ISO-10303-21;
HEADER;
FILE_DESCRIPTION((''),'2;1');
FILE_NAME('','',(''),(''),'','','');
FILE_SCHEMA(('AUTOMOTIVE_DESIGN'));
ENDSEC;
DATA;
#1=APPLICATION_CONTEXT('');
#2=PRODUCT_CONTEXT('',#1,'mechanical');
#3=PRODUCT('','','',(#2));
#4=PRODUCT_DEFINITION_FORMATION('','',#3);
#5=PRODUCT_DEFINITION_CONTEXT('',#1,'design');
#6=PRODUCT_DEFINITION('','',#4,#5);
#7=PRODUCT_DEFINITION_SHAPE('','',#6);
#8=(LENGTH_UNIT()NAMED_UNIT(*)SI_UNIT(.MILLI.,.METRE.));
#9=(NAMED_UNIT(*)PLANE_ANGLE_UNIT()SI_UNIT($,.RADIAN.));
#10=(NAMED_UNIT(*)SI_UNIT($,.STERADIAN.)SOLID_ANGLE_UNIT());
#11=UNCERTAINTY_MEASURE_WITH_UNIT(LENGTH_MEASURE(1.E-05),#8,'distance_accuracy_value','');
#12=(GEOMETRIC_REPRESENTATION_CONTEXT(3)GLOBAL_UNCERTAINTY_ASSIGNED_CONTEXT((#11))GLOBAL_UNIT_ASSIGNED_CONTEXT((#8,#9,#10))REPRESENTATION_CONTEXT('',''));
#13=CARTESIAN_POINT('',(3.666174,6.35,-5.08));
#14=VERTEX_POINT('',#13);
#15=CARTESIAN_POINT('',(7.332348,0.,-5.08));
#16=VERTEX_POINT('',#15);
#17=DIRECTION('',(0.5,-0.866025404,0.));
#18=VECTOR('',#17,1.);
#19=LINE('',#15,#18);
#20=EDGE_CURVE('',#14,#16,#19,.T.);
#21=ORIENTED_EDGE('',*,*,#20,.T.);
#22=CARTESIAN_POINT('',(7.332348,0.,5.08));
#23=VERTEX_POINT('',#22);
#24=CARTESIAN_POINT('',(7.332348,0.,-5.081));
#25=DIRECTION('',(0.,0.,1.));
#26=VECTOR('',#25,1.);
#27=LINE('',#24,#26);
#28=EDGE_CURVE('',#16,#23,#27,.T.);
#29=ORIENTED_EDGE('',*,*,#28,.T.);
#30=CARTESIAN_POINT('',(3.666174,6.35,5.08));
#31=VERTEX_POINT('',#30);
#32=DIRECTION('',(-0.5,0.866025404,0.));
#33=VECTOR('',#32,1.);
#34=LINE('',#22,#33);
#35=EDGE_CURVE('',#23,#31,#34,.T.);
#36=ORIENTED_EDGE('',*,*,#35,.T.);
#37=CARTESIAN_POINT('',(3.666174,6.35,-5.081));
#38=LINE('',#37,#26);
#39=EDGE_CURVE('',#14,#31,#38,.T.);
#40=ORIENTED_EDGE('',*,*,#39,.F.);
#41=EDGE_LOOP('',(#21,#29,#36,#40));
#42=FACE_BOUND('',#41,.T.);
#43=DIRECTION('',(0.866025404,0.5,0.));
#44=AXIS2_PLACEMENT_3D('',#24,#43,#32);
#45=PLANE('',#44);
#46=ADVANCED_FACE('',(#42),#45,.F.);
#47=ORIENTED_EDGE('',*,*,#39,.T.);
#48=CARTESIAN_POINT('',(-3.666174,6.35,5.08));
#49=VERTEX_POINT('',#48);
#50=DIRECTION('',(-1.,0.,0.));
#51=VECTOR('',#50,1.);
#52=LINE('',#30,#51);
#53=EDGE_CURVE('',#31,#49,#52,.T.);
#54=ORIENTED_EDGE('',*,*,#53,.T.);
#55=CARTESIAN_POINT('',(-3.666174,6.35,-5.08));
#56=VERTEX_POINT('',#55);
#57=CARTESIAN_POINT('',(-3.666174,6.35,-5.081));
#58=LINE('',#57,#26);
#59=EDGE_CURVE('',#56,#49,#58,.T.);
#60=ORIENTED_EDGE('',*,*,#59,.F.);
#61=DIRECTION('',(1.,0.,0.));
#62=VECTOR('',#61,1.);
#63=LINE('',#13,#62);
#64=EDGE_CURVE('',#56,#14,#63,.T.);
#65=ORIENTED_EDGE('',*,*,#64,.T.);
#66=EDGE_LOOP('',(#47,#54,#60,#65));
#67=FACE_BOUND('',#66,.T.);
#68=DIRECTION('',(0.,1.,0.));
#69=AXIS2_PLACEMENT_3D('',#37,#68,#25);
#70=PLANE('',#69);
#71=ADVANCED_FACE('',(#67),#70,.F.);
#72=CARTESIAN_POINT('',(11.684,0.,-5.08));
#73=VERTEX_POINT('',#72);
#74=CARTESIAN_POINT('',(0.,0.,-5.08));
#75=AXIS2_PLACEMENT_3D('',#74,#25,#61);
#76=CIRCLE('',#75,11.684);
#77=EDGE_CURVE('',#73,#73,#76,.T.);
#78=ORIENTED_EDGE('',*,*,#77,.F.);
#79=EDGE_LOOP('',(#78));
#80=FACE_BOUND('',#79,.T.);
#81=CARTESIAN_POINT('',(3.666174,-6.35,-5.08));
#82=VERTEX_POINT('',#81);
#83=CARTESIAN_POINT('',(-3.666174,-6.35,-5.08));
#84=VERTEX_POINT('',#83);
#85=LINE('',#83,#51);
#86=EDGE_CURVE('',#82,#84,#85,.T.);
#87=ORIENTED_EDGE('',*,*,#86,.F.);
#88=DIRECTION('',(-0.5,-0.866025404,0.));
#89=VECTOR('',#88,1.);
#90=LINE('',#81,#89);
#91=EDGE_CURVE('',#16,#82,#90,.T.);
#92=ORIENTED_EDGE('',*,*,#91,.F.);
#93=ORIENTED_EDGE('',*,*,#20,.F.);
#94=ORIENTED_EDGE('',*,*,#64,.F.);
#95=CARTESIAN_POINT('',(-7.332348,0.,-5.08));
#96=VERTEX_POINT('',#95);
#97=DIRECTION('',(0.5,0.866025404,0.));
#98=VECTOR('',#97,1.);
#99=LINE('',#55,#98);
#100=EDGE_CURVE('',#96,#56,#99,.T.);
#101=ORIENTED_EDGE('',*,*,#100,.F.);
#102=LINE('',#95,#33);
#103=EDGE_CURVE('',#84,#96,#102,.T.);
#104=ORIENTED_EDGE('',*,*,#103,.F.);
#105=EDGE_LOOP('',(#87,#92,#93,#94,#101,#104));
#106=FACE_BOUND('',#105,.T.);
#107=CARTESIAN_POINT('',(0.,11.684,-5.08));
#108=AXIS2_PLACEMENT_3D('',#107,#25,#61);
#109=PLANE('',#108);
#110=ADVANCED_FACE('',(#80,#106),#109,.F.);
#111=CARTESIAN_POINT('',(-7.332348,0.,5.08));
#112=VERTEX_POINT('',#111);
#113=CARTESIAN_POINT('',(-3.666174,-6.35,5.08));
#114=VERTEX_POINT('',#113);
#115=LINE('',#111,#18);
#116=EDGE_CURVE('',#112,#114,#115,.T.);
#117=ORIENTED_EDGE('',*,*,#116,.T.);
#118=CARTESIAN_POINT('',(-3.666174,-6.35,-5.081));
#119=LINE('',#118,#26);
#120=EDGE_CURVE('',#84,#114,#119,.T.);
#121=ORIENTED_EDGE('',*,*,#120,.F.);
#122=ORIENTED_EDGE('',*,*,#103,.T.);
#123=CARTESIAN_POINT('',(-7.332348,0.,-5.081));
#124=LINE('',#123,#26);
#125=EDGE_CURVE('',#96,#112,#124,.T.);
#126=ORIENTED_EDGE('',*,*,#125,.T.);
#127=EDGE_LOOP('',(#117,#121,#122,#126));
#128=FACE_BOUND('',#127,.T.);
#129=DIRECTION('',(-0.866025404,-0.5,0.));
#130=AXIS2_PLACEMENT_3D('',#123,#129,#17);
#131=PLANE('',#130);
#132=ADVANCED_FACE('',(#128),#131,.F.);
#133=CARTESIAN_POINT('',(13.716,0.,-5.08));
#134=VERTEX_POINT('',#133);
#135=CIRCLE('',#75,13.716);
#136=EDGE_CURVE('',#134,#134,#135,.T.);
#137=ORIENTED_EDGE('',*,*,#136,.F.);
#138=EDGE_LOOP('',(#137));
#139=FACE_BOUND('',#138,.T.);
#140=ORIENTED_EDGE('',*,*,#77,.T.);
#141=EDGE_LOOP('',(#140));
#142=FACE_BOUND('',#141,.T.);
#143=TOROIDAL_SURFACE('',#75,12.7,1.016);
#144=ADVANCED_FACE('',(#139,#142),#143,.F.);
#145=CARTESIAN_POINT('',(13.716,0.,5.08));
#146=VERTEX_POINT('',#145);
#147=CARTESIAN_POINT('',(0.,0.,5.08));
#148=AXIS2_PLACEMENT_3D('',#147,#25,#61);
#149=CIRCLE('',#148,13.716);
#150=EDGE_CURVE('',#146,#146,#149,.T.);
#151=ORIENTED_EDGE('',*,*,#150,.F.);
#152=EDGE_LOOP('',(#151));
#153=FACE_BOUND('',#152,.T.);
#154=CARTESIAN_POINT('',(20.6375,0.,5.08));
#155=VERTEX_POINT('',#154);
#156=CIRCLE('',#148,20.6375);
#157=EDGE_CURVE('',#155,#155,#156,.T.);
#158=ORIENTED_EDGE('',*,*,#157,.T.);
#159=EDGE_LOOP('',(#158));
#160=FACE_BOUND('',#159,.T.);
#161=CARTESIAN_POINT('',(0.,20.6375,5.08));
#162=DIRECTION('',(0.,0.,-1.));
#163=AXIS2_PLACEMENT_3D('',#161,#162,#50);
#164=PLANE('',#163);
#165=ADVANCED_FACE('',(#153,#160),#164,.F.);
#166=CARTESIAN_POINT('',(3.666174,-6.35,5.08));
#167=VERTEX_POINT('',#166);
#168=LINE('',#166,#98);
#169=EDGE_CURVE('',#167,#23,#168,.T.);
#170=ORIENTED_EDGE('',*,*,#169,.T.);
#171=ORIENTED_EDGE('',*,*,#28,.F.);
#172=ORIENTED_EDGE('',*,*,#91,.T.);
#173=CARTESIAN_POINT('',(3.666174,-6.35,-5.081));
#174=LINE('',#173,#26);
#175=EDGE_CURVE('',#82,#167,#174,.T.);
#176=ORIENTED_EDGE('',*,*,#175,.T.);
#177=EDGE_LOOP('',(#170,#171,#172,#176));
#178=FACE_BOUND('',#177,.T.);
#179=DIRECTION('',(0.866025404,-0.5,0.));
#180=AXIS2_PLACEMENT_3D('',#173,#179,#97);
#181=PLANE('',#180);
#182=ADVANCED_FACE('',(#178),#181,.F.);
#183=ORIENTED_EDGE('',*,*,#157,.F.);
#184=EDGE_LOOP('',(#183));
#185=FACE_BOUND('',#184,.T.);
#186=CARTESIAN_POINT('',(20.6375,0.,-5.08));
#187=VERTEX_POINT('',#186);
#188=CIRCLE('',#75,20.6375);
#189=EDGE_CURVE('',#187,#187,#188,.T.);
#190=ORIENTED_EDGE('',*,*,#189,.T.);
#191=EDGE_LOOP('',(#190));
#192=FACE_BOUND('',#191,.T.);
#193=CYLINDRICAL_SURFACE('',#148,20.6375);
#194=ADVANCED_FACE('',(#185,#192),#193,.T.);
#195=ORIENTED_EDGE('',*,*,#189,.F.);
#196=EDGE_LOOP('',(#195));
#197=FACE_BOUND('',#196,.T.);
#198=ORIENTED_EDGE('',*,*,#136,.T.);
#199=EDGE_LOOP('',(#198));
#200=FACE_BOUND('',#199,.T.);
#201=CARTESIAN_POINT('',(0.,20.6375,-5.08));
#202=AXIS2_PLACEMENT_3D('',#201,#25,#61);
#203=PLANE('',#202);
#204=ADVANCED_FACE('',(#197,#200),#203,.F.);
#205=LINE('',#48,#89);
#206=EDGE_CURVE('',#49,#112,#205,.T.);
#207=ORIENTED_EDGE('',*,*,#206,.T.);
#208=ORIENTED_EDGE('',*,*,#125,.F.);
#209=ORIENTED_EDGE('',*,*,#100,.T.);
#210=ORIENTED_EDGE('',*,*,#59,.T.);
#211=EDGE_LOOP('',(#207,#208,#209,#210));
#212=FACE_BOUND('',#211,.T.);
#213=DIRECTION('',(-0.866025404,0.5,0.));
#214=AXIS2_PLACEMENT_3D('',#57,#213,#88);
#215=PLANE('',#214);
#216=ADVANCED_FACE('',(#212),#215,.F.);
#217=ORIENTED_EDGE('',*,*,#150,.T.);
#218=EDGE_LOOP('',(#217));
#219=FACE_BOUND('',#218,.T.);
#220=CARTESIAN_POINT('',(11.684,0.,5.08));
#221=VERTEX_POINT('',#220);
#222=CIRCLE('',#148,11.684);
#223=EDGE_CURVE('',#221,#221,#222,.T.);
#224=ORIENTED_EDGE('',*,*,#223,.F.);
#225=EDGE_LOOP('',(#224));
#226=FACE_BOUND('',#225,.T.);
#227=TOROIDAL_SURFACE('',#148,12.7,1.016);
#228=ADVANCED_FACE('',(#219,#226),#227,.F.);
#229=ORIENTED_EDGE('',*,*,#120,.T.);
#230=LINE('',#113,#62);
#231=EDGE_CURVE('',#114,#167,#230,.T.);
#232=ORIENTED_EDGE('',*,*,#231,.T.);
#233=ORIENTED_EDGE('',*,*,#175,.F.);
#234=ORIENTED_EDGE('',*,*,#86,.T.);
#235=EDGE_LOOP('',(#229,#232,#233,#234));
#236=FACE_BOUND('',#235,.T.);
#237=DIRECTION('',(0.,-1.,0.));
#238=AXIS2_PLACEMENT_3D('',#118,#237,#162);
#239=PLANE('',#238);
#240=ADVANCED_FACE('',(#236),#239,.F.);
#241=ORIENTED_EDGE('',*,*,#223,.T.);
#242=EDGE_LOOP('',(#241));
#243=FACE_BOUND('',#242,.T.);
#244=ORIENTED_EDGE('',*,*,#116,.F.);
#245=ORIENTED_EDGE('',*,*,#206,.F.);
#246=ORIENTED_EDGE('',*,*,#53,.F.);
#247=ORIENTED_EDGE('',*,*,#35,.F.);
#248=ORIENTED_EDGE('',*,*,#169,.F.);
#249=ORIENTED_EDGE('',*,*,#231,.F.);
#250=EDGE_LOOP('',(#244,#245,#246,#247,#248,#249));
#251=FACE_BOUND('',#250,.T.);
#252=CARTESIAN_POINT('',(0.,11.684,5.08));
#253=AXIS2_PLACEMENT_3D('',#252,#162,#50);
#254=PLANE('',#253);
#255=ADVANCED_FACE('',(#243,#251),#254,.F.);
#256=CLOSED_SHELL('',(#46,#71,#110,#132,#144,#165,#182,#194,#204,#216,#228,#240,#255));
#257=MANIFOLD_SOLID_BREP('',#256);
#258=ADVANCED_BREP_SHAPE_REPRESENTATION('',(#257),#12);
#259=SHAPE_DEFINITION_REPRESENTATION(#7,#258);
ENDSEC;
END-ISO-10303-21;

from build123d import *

# Parameters (mm, degrees)
CUT_EXTRUDE1_REACH = 32.904


with BuildPart() as part:
    # Sketch1 → Revolve1 (revolve)
    with BuildSketch(Plane(origin=(0, 0, 0), x_dir=(0, 0, -1), z_dir=(1, 0, 0)), mode=Mode.PRIVATE) as revolve1_sk:
        with BuildLine():
            Line((-5.08, 20.6375), (5.08, 20.6375))
            Line((5.08, 20.6375), (5.08, 13.716))
            ThreePointArc((5.08, 13.716), (4.064, 12.7), (5.08, 11.684))
            Line((5.08, 11.684), (5.08, 0))
            Line((5.08, 0), (-5.08, 0))
            Line((-5.08, 0), (-5.08, 11.684))
            ThreePointArc((-5.08, 11.684), (-4.064, 12.7), (-5.08, 13.716))
            Line((-5.08, 13.716), (-5.08, 20.6375))
        make_face()
    revolve(revolve1_sk.sketch.rotate(Axis((0, 0, 5.08), (0, 0, -1)), 90), axis=Axis((0, 0, 5.08), (0, 0, -1)))

    # Sketch2 → Cut-Extrude1 (cut, up to next)
    with BuildSketch(Plane.XY.offset(5.08), mode=Mode.PRIVATE) as cut_extrude1_sk1:
        Polygon((-3.666174209, 6.35), (-7.332348419, 0), (-3.666174209, -6.35), (3.666174209, -6.35), (7.332348419, 0), (3.666174209, 6.35), align=None)
    cut_extrude1_tool1 = extrude(cut_extrude1_sk1.sketch, amount=-CUT_EXTRUDE1_REACH, mode=Mode.PRIVATE) & part.part
    add(cut_extrude1_tool1.solids().sort_by_distance((0, 0, 5.08))[0], mode=Mode.SUBTRACT)


solid = part.part
